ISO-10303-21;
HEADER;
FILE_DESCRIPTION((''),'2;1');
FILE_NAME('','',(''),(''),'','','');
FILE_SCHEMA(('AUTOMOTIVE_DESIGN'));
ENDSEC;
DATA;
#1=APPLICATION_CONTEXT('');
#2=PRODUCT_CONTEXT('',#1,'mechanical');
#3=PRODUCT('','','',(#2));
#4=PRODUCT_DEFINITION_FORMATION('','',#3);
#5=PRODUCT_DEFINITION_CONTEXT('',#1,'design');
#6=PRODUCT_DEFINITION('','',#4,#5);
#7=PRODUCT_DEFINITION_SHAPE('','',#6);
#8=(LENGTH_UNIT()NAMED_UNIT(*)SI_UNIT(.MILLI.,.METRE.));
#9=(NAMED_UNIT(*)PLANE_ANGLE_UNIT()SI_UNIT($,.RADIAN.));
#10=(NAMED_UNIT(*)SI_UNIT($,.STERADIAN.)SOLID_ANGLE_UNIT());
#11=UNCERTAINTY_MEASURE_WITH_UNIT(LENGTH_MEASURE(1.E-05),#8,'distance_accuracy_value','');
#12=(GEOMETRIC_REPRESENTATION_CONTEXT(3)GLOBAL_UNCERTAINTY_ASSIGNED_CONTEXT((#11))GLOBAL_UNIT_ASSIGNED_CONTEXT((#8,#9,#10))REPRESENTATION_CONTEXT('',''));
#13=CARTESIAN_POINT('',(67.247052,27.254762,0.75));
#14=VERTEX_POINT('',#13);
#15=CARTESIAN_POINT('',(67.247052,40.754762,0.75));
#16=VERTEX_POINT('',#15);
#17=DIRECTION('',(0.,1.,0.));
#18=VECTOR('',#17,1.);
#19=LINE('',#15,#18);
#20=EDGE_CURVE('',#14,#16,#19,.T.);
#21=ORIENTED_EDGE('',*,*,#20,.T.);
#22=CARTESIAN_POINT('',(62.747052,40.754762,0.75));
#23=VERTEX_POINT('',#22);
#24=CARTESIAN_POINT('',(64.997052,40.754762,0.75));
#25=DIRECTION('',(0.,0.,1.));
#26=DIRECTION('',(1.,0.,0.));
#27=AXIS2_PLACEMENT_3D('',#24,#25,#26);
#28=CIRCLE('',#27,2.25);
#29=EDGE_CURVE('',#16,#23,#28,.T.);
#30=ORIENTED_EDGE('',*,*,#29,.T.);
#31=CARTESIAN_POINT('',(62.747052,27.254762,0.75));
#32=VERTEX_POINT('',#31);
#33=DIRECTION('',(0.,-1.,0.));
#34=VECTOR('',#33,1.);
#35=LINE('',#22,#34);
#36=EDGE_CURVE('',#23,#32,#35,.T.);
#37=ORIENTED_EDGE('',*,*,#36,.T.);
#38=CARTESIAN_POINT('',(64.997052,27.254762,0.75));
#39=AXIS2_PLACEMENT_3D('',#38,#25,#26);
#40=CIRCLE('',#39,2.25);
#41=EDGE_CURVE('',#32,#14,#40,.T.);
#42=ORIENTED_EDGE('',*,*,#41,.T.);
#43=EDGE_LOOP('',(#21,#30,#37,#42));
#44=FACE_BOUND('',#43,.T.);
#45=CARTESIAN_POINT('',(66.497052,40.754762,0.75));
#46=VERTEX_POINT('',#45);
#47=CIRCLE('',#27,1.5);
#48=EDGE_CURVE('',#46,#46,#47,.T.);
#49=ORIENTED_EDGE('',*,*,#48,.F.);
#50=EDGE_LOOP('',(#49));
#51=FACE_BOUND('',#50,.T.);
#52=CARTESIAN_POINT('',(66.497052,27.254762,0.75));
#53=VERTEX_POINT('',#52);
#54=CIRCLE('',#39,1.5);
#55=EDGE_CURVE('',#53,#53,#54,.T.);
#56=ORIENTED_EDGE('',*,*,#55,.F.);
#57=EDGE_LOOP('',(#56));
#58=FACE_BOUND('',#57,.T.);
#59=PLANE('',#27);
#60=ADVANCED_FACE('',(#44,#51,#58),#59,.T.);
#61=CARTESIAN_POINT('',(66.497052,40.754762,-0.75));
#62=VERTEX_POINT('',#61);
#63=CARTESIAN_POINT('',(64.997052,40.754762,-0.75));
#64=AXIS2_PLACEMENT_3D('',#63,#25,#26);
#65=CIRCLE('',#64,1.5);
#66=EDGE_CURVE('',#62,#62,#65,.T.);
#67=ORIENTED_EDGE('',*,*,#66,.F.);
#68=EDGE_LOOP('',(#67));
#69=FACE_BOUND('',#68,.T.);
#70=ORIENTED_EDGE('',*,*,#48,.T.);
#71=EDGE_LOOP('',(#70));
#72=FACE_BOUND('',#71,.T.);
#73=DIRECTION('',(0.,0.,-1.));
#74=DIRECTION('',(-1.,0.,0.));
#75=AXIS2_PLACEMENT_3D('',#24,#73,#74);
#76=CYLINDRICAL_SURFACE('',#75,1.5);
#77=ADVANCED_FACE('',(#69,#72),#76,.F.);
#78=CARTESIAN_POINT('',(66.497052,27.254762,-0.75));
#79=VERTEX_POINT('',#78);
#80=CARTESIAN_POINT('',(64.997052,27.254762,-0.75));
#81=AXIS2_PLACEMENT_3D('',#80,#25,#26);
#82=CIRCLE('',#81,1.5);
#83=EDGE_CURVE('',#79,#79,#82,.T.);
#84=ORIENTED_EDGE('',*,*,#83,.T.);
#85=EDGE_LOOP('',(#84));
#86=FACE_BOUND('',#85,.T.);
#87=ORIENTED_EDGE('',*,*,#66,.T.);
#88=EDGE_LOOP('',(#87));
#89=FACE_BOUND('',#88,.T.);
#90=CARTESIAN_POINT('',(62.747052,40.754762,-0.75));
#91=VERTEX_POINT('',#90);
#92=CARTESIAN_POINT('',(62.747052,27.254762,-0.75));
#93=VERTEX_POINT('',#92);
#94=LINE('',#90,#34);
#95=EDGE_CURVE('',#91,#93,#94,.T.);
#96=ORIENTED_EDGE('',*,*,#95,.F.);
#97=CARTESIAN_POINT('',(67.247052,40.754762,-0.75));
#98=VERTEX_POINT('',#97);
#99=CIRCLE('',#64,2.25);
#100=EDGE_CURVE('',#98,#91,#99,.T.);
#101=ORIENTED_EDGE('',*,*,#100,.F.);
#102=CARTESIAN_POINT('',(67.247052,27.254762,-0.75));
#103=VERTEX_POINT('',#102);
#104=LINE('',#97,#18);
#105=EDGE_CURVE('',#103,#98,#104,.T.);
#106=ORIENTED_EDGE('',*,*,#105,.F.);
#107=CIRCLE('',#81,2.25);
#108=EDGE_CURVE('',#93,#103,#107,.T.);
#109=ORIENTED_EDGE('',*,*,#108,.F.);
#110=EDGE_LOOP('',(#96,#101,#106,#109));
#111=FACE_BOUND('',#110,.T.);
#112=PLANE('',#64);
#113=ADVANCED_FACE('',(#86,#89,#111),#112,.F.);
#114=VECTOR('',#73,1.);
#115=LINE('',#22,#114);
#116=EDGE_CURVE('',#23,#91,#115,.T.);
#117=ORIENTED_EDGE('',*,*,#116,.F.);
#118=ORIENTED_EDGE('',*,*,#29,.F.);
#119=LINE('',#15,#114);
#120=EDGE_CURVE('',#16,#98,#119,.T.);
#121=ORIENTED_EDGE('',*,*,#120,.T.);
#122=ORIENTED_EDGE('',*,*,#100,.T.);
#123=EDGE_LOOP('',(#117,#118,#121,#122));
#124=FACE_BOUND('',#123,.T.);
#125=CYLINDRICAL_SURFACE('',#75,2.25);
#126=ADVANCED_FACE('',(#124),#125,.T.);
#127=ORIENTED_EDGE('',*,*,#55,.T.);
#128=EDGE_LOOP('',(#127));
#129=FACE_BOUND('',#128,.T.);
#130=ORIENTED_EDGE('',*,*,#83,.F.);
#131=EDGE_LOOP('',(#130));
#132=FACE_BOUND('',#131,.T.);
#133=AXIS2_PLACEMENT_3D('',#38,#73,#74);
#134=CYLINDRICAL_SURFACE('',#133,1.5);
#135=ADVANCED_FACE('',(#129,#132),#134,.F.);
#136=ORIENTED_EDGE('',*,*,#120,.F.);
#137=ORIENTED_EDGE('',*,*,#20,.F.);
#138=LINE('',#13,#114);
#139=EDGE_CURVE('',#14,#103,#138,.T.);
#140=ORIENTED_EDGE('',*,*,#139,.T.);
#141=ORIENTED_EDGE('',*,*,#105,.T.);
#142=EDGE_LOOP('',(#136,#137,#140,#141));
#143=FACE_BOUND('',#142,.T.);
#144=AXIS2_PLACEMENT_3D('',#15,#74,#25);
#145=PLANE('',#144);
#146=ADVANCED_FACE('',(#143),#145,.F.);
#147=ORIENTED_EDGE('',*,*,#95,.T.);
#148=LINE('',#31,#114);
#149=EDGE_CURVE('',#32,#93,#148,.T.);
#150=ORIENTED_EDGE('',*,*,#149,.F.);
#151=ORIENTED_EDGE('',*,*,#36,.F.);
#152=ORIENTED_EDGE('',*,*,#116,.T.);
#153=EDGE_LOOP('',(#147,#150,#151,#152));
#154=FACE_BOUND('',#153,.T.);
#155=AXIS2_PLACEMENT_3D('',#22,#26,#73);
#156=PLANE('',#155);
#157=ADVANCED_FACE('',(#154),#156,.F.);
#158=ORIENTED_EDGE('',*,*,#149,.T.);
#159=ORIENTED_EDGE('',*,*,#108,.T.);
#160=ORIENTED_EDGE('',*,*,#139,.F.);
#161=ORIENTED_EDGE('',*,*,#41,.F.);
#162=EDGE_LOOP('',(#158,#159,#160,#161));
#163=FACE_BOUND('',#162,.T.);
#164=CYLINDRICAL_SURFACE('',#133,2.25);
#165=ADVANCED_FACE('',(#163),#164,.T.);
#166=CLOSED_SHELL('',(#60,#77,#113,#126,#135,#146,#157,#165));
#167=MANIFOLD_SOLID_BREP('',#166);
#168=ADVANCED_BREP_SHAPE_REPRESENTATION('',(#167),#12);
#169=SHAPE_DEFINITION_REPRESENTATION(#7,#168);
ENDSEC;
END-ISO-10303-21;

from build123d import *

# Parameters (mm, degrees)
SKETCH1_R           = 5
BOSS_EXTRUDE1_DEPTH = 2.5
SCALE1_SCALE        = 0.3


with BuildPart() as part:
    # Sketch1 → Boss-Extrude1 (new body, symmetric)
    with BuildSketch(Plane.XY):
        with BuildLine():
            Line((72.497051665, 56.504761557), (72.497051665, 11.504761557))
            ThreePointArc((72.497051665, 11.504761557), (64.997051665, 4.004761557), (57.497051665, 11.504761557))
            Line((57.497051665, 11.504761557), (57.497051665, 56.504761557))
            ThreePointArc((57.497051665, 56.504761557), (64.997051665, 64.004761557), (72.497051665, 56.504761557))
        make_face()
        with Locations((64.997051665, 56.504761557)):
            Circle(SKETCH1_R, mode=Mode.SUBTRACT)
        with Locations((64.997051665, 11.504761557)):
            Circle(SKETCH1_R, mode=Mode.SUBTRACT)
    extrude(amount=BOSS_EXTRUDE1_DEPTH, both=True)


with BuildPart() as part_1:
    # Scale1: scaled about (64.997051665, 34.004761557, 0)
    add(part.part.scale(SCALE1_SCALE).moved(Location((45.497936166, 23.80333309, 0))))


solid = part_1.part
